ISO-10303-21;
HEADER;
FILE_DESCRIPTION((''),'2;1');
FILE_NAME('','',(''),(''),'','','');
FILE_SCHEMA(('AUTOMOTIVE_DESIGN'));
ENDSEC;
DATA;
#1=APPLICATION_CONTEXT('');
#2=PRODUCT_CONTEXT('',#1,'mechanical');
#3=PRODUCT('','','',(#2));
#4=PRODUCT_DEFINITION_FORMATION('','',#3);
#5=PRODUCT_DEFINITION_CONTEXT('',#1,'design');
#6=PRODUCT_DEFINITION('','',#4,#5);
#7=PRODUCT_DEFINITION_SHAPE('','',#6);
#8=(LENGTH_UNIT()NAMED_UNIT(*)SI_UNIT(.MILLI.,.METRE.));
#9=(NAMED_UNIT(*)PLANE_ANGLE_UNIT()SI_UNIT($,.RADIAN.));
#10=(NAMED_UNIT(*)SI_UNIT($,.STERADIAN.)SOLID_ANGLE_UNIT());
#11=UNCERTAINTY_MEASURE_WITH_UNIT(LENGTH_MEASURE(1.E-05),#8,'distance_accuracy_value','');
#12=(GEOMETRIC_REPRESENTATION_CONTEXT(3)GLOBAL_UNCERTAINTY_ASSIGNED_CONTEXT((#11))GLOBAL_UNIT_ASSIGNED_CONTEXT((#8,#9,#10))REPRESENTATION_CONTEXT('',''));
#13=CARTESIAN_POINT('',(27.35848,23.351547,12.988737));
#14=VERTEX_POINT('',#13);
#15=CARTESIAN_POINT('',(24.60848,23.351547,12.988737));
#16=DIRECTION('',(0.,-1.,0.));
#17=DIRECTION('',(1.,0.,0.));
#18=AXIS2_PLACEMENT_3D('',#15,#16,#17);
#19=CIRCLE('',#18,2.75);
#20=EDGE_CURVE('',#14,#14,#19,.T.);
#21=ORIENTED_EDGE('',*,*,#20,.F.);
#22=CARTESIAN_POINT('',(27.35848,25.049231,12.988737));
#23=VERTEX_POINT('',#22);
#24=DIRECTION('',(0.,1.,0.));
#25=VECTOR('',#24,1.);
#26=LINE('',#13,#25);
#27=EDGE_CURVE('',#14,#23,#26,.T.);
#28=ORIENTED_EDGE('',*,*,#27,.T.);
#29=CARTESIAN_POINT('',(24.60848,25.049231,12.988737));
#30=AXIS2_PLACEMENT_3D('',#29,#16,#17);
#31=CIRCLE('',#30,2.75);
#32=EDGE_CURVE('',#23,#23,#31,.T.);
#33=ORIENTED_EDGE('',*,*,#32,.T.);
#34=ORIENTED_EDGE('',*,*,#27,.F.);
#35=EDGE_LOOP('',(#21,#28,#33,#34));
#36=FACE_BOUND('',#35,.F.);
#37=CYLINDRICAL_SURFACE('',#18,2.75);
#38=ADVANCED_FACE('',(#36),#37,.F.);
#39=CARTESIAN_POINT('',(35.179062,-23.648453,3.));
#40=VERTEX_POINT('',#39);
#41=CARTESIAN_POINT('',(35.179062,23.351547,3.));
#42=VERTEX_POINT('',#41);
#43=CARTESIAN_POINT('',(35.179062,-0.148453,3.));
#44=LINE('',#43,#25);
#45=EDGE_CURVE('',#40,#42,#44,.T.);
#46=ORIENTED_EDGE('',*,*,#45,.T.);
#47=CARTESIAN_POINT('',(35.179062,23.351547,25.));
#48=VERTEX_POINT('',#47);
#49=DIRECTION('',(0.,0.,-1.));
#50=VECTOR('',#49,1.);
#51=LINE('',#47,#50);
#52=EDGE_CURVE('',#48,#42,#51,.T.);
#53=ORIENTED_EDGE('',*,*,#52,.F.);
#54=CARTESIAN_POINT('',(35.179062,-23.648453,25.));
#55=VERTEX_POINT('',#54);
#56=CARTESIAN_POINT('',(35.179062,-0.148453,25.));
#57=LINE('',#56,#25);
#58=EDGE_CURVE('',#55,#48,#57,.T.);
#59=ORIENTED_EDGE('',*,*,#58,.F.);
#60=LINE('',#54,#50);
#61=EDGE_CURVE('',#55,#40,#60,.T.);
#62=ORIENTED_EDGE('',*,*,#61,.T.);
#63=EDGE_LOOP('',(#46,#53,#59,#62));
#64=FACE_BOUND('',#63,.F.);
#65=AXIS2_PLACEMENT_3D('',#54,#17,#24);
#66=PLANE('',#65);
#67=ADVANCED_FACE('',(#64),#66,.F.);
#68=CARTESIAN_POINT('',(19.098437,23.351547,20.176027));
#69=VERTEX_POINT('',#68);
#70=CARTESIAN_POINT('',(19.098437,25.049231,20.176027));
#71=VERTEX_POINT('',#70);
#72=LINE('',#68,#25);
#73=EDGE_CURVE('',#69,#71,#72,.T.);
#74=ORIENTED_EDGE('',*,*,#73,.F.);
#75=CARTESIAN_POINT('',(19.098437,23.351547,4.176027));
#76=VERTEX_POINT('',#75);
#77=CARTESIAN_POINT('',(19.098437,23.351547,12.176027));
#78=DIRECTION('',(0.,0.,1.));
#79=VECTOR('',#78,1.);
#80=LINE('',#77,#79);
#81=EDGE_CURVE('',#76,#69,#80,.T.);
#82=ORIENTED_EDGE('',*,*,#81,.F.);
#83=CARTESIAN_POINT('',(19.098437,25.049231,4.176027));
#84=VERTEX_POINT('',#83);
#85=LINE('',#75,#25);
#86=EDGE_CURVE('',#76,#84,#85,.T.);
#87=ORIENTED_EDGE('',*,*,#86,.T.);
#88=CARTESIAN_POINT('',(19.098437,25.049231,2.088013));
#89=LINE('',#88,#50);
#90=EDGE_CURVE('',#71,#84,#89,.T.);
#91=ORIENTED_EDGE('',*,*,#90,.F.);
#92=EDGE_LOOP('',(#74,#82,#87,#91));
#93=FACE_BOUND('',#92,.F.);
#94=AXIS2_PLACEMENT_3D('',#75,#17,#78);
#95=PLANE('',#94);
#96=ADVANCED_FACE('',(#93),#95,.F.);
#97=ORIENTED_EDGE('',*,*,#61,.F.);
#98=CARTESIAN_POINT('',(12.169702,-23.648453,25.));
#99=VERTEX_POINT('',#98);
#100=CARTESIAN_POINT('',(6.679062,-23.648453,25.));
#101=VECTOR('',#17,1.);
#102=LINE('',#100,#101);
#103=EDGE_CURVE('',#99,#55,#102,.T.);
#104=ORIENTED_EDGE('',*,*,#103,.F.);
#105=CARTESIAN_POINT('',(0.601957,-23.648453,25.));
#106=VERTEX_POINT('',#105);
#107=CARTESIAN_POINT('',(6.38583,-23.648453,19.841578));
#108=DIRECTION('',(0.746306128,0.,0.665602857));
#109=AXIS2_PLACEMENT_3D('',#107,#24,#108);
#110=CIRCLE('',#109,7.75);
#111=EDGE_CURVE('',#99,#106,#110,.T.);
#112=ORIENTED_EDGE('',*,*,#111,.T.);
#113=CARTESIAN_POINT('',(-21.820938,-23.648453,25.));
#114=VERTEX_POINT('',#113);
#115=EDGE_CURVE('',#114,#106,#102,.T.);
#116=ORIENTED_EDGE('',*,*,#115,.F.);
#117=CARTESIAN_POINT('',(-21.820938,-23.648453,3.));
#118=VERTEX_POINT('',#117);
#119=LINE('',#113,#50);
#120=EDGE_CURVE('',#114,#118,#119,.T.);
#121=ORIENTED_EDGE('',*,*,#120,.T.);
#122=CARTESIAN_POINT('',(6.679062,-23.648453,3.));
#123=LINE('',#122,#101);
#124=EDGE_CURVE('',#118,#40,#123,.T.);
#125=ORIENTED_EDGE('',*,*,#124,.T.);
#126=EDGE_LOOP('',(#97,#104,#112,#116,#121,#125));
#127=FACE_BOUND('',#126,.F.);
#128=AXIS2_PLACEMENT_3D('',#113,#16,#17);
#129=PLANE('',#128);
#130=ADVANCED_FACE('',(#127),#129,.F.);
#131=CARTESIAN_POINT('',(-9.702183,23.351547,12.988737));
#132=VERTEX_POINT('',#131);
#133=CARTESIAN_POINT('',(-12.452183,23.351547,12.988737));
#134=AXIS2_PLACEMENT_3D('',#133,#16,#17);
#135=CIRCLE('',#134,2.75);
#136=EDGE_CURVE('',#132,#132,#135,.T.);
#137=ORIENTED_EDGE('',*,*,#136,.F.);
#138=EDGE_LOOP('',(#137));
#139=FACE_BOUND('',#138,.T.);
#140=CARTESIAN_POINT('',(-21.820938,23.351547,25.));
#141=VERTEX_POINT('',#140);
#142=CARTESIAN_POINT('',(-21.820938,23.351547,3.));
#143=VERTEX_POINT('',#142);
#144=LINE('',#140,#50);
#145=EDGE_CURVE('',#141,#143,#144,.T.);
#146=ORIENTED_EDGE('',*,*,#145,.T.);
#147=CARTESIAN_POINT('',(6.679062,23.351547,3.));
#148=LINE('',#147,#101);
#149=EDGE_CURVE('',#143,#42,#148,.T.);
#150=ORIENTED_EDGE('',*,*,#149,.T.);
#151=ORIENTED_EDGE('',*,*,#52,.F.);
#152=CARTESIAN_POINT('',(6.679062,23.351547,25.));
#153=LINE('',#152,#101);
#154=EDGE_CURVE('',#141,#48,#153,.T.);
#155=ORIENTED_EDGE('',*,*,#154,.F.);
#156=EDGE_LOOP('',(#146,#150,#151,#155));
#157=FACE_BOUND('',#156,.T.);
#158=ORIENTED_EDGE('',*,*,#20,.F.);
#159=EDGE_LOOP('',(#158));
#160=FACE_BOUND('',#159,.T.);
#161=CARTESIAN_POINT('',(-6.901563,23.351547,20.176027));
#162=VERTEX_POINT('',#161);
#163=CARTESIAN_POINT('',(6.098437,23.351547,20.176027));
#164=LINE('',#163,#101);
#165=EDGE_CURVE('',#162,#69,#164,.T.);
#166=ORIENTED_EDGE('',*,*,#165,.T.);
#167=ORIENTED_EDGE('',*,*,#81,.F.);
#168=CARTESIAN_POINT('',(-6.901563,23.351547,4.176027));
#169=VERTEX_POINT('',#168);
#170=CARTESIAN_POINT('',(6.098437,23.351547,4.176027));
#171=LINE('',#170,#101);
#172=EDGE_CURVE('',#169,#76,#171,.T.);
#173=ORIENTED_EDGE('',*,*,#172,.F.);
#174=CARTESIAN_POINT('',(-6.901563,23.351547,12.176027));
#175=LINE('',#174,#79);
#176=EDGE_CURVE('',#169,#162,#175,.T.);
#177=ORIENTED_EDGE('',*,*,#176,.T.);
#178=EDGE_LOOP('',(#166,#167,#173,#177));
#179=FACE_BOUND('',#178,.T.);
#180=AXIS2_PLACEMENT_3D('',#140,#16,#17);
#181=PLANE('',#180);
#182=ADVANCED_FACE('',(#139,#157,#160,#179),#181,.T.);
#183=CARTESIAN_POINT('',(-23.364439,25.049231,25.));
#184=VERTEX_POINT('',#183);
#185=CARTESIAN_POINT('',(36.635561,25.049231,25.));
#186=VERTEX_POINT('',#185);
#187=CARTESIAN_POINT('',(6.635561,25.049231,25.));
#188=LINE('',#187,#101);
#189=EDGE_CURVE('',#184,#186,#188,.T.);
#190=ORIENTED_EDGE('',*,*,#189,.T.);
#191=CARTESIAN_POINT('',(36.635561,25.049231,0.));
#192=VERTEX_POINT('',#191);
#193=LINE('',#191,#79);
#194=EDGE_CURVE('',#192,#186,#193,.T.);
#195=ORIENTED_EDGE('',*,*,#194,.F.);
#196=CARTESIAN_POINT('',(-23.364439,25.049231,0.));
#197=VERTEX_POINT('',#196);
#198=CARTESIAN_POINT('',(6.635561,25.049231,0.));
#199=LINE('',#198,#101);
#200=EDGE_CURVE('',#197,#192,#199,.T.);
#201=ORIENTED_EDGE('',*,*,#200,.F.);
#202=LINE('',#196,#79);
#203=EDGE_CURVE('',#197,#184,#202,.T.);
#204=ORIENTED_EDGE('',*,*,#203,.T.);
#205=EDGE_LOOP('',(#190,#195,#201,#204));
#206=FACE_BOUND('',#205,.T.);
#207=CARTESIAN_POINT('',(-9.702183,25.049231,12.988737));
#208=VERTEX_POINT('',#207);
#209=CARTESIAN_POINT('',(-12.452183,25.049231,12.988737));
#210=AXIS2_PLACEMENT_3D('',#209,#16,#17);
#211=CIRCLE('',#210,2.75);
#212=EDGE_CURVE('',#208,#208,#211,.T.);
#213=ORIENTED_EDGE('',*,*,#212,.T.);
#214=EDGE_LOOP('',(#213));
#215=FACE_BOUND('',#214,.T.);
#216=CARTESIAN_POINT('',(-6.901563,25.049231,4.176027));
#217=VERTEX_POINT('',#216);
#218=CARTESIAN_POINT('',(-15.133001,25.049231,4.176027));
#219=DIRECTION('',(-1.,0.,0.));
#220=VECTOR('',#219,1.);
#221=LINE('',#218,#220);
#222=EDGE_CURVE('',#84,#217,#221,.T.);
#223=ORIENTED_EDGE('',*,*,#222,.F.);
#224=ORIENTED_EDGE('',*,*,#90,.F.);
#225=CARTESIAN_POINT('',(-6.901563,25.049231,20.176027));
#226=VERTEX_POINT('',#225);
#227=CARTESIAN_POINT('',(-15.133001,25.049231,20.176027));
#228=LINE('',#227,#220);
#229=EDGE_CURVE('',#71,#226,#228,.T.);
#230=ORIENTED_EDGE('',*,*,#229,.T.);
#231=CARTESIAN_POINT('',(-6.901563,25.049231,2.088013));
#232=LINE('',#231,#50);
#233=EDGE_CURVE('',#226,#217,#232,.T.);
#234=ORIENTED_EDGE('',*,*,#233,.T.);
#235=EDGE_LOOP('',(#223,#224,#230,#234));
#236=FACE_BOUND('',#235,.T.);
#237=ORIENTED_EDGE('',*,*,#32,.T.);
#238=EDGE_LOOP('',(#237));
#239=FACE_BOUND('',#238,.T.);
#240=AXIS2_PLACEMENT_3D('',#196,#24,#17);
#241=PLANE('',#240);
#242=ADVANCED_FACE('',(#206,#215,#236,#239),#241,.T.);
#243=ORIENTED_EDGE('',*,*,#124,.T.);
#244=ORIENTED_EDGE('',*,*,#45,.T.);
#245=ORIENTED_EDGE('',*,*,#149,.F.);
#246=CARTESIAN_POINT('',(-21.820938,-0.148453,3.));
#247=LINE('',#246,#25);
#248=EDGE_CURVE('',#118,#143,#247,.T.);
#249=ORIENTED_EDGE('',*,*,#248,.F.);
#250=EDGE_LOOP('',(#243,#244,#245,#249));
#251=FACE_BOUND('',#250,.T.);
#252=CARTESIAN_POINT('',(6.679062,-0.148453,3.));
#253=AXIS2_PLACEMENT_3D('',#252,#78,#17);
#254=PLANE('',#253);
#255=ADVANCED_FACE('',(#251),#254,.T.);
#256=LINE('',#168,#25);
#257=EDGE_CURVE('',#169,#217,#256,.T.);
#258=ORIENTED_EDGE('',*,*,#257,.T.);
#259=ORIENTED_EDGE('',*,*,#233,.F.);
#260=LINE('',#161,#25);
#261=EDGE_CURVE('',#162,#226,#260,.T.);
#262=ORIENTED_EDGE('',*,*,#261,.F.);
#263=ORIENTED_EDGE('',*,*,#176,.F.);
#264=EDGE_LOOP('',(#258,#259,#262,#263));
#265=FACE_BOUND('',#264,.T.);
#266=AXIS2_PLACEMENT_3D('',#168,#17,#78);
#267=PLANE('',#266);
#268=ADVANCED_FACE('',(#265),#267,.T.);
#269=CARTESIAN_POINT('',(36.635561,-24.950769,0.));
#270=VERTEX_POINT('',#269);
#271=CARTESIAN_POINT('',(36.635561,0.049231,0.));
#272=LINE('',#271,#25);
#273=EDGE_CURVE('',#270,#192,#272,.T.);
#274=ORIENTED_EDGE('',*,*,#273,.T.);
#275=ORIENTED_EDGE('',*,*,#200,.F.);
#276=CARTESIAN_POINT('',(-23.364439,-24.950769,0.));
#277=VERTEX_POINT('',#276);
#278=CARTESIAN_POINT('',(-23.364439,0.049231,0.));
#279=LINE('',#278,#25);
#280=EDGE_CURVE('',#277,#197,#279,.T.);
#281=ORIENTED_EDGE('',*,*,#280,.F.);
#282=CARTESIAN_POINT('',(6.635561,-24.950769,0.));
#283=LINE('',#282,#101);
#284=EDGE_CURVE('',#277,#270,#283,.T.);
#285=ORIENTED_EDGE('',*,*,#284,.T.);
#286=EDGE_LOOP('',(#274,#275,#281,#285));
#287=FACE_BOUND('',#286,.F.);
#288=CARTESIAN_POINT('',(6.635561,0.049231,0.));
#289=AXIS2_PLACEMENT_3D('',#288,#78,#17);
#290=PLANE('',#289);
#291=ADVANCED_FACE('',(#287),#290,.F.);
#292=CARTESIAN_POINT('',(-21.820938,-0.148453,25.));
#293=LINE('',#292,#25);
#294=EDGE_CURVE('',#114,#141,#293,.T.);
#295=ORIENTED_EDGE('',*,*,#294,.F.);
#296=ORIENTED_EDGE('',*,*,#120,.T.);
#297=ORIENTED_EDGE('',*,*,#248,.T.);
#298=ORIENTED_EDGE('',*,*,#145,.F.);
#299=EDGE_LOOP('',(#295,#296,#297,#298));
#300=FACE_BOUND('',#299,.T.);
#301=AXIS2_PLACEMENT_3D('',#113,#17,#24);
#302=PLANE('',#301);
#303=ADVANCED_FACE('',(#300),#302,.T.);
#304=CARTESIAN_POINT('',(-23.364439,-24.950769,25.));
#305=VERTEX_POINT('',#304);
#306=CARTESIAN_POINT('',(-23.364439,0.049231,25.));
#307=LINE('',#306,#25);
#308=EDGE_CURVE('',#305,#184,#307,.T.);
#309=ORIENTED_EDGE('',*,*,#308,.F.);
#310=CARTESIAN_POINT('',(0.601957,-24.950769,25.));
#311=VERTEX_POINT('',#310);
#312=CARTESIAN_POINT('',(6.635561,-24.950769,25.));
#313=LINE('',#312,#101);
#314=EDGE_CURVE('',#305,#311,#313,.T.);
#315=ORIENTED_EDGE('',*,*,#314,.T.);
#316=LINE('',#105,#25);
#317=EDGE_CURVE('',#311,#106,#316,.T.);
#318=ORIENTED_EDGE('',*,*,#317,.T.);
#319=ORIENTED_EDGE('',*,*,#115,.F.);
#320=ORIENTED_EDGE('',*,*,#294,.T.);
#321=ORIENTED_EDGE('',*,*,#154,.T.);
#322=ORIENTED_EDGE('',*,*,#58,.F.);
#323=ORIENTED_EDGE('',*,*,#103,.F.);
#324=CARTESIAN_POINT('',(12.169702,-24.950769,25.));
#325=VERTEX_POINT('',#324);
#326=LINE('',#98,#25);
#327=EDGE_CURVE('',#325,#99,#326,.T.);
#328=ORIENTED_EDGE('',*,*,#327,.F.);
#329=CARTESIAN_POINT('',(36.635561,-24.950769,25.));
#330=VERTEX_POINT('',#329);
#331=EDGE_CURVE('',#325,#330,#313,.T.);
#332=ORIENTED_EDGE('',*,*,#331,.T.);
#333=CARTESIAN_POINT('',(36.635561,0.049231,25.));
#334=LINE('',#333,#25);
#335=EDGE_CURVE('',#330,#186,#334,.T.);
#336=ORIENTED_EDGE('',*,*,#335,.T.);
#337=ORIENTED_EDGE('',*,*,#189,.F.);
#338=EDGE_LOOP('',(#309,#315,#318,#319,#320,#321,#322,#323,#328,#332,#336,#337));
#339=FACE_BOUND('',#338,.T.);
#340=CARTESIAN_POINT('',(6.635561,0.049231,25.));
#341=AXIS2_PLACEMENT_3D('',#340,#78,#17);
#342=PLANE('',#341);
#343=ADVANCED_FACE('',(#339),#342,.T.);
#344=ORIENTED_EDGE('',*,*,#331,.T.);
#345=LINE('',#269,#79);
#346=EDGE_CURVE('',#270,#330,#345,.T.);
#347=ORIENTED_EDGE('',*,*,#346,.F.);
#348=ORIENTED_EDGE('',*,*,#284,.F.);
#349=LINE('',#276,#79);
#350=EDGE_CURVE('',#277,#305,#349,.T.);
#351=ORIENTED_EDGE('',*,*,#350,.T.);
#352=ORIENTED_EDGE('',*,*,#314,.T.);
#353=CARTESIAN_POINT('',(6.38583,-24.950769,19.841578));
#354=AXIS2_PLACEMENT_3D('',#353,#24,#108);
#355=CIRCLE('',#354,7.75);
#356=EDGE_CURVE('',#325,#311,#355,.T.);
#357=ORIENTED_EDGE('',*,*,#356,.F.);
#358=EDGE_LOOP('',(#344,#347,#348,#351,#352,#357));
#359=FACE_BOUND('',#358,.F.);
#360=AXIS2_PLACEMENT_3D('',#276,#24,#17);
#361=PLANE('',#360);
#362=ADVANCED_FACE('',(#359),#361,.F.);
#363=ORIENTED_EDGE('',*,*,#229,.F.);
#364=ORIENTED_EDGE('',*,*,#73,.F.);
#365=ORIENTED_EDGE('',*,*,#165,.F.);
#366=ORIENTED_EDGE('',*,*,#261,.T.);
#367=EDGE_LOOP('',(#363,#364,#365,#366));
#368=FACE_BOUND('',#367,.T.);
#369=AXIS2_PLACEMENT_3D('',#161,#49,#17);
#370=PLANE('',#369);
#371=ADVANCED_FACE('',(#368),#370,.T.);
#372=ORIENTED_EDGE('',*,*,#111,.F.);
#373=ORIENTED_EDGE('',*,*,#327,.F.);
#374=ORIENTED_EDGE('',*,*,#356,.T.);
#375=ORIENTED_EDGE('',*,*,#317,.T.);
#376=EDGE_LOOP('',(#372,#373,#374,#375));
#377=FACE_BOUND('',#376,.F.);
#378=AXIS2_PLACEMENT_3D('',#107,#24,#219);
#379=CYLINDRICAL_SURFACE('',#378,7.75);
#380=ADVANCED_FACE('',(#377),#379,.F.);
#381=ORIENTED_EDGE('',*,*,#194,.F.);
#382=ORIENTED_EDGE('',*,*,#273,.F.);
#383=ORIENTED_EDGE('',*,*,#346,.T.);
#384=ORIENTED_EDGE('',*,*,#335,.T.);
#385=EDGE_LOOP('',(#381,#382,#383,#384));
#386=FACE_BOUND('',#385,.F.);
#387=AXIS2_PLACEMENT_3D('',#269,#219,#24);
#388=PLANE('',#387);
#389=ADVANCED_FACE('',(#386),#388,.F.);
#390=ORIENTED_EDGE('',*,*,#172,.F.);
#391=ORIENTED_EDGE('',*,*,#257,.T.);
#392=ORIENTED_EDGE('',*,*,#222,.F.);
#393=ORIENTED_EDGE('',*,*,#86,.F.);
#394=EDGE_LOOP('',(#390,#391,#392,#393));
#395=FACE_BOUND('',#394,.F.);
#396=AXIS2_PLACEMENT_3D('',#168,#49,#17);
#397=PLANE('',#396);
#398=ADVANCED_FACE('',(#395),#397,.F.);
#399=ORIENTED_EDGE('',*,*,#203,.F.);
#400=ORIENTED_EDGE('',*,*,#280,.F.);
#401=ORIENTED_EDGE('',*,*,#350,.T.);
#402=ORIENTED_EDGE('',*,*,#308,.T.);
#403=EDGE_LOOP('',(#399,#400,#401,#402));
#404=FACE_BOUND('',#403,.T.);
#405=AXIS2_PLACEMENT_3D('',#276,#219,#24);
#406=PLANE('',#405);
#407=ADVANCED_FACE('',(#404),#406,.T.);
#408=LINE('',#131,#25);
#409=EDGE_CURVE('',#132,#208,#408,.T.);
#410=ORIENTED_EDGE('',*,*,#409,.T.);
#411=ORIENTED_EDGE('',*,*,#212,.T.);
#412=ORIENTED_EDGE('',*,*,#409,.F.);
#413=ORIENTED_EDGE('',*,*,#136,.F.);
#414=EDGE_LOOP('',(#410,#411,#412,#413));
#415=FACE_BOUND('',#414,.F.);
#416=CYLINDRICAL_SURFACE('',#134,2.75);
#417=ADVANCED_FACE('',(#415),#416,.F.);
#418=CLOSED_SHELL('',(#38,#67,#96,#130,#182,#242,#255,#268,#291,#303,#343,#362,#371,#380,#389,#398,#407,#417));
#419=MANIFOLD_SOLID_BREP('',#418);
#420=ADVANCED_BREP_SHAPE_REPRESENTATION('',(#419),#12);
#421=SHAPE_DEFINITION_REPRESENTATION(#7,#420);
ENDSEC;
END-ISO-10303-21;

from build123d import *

# Parameters (mm, degrees)
F0_W      = 60
F0_H      = 50
F1_DEPTH  = 25
F2_W      = 57
F2_H      = 47
F3_DEPTH  = 22
F4_W      = 26
F4_H      = 16
F5_DEPTH  = 1.6986841711
F7_D      = 5.5
F7_DEPTH  = 1.6986841711
F8_D      = 5.5
F8_DEPTH  = 1.6986841711
F10_D     = 15.5
F10_DEPTH = 1.3033158289


with BuildPart() as f1:
    # F0 (on Top) → F1 (new body)
    with BuildSketch(Plane.XY):
        with Locations((6.6355607659, 0.0492307718)):
            Rectangle(F0_W, F0_H)
    extrude(amount=F1_DEPTH)

    # F2 (on face) → F3 (cut)
    with BuildSketch(Plane.XY.offset(25)):
        with Locations((6.679061912, -0.1484533993)):
            Rectangle(F2_W, F2_H)
    extrude(amount=-F3_DEPTH, mode=Mode.SUBTRACT)

    # F4 (on face) → F5 (cut, through all)
    with BuildSketch(Plane.XZ.offset(-23.3515466007)):
        with Locations((6.098437123, 12.1760265902)):
            Rectangle(F4_W, F4_H)
    extrude(amount=-F5_DEPTH, mode=Mode.SUBTRACT)

    # F7 (through all, one way)
    with BuildSketch(Plane.XZ.offset(-23.3515466007)):
        with Locations((-12.4521832913, 12.988736853)):
            Circle(F7_D / 2)
    extrude(amount=-F7_DEPTH, mode=Mode.SUBTRACT)

    # F8 (through all, one way)
    with BuildSketch(Plane.XZ.offset(-23.3515466007)):
        with Locations((24.6084798127, 12.988736853)):
            Circle(F8_D / 2)
    extrude(amount=-F8_DEPTH, mode=Mode.SUBTRACT)

    # F10 (through all, one way)
    with BuildSketch(Plane(origin=(0, -23.6484533993, 0), x_dir=(-1, 0, 0), z_dir=(0, 1, 0))):
        with Locations((-6.3858297653, 19.8415778577)):
            Circle(F10_D / 2)
    extrude(amount=-F10_DEPTH, mode=Mode.SUBTRACT)


solid = f1.part
